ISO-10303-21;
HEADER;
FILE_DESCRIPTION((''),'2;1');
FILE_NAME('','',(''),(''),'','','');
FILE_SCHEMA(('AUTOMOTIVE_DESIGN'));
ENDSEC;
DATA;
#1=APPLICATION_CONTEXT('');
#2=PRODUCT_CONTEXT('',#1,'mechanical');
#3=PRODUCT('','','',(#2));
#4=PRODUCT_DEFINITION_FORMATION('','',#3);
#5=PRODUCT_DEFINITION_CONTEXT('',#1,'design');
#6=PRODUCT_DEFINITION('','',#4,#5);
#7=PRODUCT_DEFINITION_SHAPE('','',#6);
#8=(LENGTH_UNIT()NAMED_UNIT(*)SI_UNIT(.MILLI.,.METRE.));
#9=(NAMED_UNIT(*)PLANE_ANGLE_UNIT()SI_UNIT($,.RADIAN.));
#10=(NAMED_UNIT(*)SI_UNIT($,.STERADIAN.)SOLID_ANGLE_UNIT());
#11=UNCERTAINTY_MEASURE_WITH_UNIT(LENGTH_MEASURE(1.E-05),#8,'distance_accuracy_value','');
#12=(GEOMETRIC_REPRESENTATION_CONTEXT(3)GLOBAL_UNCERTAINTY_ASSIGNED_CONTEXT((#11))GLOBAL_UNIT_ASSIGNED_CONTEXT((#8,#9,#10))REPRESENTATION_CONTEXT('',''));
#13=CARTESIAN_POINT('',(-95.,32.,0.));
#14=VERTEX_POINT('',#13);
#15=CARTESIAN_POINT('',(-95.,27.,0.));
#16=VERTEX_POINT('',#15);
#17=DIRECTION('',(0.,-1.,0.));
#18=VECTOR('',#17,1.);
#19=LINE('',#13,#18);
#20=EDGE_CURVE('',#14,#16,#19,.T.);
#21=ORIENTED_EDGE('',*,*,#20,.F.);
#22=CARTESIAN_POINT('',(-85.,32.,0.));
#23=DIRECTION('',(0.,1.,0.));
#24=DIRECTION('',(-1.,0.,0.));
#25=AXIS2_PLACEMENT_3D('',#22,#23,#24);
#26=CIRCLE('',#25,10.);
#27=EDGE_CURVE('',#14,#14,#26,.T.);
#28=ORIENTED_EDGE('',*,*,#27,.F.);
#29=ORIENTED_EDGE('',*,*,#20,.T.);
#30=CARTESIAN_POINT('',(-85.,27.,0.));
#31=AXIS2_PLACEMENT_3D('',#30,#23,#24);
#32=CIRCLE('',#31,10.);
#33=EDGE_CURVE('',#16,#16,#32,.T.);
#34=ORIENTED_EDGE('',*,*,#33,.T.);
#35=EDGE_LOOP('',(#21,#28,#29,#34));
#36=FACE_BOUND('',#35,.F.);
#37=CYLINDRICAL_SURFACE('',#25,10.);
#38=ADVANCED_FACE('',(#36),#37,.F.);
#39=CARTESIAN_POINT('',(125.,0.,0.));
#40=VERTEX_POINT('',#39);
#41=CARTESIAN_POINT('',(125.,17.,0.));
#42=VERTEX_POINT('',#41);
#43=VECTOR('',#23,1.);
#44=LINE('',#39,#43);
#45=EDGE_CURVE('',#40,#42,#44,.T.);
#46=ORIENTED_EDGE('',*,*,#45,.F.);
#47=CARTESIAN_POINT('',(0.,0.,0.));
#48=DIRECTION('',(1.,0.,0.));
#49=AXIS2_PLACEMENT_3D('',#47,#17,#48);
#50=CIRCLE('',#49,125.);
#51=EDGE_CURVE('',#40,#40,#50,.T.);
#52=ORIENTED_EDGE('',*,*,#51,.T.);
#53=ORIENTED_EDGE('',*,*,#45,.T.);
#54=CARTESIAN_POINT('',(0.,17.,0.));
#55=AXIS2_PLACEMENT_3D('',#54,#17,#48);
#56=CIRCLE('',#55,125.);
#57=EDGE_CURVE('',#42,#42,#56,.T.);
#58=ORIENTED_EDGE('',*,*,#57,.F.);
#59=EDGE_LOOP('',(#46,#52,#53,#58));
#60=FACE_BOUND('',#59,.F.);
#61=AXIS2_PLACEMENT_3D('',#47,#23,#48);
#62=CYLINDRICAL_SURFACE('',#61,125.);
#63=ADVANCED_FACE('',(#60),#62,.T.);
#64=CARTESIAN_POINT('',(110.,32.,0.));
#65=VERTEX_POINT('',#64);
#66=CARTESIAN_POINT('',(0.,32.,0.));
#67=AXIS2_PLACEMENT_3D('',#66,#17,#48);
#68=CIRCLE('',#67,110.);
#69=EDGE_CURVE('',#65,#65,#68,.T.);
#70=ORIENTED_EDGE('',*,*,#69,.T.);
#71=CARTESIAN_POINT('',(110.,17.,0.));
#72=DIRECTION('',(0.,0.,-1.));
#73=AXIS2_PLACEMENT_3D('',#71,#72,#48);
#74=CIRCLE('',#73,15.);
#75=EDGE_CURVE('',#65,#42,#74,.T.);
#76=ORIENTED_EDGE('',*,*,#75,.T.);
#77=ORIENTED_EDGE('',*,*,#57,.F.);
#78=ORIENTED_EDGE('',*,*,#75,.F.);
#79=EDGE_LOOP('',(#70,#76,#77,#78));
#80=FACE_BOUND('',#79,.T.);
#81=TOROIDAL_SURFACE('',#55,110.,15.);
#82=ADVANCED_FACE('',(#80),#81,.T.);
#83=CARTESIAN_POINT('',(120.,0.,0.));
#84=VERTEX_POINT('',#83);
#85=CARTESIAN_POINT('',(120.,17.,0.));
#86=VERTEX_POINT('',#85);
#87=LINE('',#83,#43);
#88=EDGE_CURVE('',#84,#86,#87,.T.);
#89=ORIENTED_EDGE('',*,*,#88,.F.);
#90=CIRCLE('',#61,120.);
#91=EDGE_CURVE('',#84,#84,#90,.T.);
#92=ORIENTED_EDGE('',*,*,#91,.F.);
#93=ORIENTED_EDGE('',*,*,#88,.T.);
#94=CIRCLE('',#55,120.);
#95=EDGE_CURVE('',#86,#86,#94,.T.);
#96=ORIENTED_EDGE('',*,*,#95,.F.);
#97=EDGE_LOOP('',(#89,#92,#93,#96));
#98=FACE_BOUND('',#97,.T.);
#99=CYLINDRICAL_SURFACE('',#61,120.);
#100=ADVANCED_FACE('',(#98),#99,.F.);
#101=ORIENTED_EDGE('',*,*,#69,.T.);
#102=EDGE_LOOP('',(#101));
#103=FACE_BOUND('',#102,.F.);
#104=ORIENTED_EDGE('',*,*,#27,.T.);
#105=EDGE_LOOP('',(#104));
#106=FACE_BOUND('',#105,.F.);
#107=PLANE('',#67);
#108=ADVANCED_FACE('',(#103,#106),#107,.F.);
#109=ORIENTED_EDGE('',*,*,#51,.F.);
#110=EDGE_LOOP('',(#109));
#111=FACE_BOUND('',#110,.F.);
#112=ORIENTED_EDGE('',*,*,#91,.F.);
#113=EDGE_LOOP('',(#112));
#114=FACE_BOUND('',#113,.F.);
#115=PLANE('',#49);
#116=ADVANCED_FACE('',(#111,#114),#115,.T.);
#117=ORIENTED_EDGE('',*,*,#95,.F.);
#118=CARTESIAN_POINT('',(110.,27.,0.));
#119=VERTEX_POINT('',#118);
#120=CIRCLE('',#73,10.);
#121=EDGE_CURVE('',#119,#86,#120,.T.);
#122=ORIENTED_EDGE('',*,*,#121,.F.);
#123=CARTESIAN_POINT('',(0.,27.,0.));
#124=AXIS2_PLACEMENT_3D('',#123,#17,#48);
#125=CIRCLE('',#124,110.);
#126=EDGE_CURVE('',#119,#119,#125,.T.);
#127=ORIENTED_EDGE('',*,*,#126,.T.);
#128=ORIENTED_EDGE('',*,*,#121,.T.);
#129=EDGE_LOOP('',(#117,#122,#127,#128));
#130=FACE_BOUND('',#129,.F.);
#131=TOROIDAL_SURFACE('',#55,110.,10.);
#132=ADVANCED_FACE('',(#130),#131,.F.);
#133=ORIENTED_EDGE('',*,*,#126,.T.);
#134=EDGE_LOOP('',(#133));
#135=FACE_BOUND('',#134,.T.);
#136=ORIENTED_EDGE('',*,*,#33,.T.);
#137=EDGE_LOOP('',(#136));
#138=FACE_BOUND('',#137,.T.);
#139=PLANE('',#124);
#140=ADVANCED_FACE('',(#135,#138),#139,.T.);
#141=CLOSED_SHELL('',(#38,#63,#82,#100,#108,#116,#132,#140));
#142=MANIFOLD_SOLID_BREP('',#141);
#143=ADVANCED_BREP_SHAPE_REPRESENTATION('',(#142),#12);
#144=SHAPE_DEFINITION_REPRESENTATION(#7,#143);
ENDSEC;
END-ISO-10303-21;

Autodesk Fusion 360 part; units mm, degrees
sketch "LampBase" plane through (0, 0, 0) normal (0, 0, 1) x (1, 0, 0)
  line L0 (0, 0) -> (125, 0)
  line L1 (125, 0) -> (125, 32)
  line L2 (125, 32) -> (0, 32)
  line L3 (0, 32) -> (0, 0)
  dimension "d1" = 125
  dimension "d2" = 32
revolve "Revolve1" add sketch "LampBase" angle 360 about axis through (0, 32, 0) along (0, -1, 0)
fillet "Fillet1" radius 15 1 edges at (-116.5409, 32, -45.2019)
shell "Shell1" thickness 5 removed faces 1 at (-15.2225, 0, 33.3824)
sketch "Sketch2" plane through (0, 32, 0) normal (0, 1, 0) x (-1, 0, 0)
  circle A0 centre (0, 0) radius 110
  circle A1 centre (85, 0) radius 10
  dimension "d6" = 20
  dimension "d7" = 85
extrude "Extrude1" cut sketch "Sketch2" against normal blind 10 contours A1
